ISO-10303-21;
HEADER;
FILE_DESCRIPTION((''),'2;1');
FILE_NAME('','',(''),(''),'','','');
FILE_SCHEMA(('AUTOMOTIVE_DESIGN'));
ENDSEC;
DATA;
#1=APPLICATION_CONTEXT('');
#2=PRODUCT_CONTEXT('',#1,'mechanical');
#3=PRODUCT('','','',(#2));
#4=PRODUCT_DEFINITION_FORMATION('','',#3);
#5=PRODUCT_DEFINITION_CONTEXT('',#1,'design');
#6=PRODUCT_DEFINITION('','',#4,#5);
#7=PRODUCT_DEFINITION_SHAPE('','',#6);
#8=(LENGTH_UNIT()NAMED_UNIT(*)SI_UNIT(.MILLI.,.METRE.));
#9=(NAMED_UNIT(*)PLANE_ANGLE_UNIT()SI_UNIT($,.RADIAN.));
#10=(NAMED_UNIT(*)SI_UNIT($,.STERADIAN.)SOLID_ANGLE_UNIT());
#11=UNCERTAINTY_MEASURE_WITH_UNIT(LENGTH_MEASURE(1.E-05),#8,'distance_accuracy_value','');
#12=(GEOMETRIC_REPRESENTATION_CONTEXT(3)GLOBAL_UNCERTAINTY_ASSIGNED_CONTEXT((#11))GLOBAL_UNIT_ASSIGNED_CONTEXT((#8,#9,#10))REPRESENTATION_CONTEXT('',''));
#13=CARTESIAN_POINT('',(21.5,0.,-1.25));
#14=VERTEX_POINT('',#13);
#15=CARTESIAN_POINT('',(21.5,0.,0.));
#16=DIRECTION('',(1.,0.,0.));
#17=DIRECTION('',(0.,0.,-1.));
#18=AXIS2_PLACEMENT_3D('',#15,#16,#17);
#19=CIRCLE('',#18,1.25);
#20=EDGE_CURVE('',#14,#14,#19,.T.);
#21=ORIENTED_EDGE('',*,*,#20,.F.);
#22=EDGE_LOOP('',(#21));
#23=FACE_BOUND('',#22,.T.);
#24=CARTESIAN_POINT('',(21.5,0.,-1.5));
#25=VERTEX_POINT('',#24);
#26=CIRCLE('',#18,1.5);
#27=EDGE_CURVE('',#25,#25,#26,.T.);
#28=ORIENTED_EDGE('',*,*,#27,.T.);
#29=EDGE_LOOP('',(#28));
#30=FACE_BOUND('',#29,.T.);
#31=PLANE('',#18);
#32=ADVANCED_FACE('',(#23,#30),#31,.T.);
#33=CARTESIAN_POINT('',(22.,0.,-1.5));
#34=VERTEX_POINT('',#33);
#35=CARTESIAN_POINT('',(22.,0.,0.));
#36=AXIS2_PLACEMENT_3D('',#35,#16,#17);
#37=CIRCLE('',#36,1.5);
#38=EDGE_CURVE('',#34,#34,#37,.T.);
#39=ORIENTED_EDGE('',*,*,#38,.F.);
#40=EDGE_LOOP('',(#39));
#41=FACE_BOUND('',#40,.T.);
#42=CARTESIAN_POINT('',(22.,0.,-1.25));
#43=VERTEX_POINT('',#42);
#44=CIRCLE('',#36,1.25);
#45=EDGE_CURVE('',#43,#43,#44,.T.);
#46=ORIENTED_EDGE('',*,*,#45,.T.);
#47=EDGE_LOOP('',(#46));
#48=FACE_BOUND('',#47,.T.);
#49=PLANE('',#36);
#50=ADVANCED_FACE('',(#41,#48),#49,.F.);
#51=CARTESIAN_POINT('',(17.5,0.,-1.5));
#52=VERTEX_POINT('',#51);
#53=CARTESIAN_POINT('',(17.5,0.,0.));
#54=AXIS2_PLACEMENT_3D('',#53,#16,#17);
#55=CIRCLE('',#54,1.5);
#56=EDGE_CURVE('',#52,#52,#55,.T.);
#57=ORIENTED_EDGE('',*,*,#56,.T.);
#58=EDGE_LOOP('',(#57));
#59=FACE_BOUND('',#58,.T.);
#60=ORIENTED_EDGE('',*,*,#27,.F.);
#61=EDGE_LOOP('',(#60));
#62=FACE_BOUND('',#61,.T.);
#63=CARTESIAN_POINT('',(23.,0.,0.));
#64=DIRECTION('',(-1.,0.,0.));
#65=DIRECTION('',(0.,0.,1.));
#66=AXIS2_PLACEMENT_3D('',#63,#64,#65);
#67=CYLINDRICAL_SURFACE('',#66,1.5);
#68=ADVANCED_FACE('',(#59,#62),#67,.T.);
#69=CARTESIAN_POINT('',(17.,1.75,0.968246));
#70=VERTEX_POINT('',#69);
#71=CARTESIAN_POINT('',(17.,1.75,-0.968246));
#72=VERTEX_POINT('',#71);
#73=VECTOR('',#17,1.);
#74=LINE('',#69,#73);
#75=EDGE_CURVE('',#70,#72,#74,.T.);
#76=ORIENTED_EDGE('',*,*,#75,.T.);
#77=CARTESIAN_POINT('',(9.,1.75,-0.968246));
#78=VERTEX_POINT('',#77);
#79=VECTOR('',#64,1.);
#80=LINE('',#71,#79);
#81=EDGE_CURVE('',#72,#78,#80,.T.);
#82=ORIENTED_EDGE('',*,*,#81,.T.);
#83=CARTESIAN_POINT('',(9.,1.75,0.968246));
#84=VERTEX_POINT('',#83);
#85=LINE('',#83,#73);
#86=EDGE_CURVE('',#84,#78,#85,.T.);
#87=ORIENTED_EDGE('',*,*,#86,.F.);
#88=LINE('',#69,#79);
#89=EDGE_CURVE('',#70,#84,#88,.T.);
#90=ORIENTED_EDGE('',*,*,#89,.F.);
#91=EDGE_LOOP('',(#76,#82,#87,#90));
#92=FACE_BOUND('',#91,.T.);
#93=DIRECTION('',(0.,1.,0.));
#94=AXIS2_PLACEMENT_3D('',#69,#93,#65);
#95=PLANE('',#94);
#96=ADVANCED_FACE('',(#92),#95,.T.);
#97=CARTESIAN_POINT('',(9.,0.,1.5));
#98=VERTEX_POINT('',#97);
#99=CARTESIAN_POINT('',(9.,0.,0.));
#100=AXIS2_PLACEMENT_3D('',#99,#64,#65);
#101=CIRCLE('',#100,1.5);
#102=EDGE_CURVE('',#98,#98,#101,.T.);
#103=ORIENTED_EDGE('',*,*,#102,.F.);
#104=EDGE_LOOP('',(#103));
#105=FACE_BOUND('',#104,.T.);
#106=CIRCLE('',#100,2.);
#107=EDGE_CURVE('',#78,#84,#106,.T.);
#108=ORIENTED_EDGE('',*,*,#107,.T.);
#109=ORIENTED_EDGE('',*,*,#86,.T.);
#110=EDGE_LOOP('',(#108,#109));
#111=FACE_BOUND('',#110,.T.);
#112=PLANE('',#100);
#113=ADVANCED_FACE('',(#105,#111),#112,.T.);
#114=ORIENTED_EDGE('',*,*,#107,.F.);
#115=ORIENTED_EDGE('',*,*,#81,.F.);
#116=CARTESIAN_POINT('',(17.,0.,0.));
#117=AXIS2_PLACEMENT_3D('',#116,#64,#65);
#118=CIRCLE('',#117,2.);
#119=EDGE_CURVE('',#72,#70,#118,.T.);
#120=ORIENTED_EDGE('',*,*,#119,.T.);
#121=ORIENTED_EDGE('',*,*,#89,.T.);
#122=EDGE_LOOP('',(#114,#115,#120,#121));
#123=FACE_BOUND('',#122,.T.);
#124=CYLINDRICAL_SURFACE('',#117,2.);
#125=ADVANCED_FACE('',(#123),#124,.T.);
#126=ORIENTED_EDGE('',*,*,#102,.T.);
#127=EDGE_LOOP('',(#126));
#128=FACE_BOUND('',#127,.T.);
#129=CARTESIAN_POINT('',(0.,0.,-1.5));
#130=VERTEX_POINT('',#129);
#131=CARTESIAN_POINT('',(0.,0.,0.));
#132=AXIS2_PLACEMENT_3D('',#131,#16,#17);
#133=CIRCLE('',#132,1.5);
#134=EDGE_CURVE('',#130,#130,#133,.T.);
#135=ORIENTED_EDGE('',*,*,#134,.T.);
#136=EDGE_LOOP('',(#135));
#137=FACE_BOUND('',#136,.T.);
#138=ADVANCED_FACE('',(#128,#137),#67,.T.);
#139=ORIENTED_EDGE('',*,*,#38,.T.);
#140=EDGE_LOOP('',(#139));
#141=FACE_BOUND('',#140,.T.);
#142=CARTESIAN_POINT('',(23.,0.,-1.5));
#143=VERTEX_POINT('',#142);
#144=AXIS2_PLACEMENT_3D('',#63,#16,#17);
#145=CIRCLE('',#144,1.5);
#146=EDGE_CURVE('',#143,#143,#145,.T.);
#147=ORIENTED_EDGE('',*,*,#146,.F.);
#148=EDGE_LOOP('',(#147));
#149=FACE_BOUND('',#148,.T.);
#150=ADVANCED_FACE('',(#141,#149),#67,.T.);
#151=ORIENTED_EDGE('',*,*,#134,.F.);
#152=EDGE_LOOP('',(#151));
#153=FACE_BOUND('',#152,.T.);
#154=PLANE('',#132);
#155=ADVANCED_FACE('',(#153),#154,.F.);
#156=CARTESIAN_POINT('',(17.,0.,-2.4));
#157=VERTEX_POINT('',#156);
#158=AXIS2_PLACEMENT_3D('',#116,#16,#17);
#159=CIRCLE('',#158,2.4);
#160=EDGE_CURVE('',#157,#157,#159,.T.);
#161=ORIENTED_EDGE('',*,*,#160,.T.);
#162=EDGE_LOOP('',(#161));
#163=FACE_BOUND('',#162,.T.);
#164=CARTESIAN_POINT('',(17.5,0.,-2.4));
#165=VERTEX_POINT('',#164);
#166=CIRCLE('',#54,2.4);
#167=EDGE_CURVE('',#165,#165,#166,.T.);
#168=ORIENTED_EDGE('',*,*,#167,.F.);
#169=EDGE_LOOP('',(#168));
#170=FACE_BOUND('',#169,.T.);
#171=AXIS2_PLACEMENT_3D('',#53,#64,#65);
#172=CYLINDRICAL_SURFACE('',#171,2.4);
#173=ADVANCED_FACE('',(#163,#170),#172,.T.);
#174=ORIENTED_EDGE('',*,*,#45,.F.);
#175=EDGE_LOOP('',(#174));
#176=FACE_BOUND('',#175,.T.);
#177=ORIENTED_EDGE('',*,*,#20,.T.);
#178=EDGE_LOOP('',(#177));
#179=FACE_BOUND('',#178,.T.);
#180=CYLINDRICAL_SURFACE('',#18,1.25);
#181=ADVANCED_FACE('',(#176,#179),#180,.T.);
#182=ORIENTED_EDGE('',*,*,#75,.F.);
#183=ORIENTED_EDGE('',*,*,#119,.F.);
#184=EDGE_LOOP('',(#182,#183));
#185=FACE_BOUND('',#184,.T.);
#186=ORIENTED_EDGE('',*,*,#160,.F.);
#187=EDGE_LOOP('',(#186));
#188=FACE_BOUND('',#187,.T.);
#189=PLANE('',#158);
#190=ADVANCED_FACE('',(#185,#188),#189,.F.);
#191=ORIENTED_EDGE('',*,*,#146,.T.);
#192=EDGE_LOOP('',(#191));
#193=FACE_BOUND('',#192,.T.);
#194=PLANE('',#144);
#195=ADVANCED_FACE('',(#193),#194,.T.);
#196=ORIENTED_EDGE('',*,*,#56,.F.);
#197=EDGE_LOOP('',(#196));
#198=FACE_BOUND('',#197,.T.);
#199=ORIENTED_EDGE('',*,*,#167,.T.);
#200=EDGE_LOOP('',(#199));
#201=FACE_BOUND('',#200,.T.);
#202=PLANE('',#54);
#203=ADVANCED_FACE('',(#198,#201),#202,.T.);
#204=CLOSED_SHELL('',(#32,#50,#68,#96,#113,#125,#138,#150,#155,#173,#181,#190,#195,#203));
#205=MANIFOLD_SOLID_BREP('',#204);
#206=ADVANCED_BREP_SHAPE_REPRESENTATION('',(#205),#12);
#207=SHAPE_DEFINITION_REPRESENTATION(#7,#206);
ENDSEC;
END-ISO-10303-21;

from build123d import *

# Parameters (mm, degrees)
SKETCH_1_R          = 1.5
EXTRUDE_1_DEPTH     = 23
SKETCH_2_R          = 1.5
EXTRUDE_2_DEPTH     = 8
SKETCH_3_R          = 2.4
SKETCH_3_R_2        = 1.5
EXTRUDE_3_DEPTH     = 0.5
CUT_EXTRUDE_START   = -1.5
SKETCH_4_R          = 1.5
SKETCH_4_R_2        = 1.25
CUT_EXTRUDE_1_DEPTH = 0.5


with BuildPart() as part:
    # 草图1 → 凸台-拉伸1 (new body)
    with BuildSketch(Plane(origin=(0, 0, 0), x_dir=(0, 0, -1), z_dir=(1, 0, 0))):
        Circle(SKETCH_1_R)
    extrude(amount=EXTRUDE_1_DEPTH)

    # 草图2 → 凸台-拉伸2 (add)
    with BuildSketch(Plane.ZY.offset(-9)):
        with BuildLine():
            Line((0.968245837, 1.75), (-0.968245837, 1.75))
            ThreePointArc((-0.968245837, 1.75), (0, -2), (0.968245837, 1.75))
        make_face()
        Circle(SKETCH_2_R, mode=Mode.SUBTRACT)
    extrude(amount=-EXTRUDE_2_DEPTH)

    # 草图3 → 凸台-拉伸3 (add)
    with BuildSketch(Plane(origin=(17, 0, 0), x_dir=(0, 0, -1), z_dir=(1, 0, 0))):
        Circle(SKETCH_3_R)
        with Locations(Location((0, 0, 0), (0, 0, 180))):
            Circle(SKETCH_3_R_2, mode=Mode.SUBTRACT)
    extrude(amount=EXTRUDE_3_DEPTH)

    # 草图4 → 切除-拉伸1 (cut)
    with BuildSketch(Plane(origin=(23, 0, 0), x_dir=(0, 0, -1), z_dir=(1, 0, 0)).offset(CUT_EXTRUDE_START)):
        Circle(SKETCH_4_R)
        Circle(SKETCH_4_R_2, mode=Mode.SUBTRACT)
    extrude(amount=CUT_EXTRUDE_1_DEPTH, mode=Mode.SUBTRACT)


solid = part.part
